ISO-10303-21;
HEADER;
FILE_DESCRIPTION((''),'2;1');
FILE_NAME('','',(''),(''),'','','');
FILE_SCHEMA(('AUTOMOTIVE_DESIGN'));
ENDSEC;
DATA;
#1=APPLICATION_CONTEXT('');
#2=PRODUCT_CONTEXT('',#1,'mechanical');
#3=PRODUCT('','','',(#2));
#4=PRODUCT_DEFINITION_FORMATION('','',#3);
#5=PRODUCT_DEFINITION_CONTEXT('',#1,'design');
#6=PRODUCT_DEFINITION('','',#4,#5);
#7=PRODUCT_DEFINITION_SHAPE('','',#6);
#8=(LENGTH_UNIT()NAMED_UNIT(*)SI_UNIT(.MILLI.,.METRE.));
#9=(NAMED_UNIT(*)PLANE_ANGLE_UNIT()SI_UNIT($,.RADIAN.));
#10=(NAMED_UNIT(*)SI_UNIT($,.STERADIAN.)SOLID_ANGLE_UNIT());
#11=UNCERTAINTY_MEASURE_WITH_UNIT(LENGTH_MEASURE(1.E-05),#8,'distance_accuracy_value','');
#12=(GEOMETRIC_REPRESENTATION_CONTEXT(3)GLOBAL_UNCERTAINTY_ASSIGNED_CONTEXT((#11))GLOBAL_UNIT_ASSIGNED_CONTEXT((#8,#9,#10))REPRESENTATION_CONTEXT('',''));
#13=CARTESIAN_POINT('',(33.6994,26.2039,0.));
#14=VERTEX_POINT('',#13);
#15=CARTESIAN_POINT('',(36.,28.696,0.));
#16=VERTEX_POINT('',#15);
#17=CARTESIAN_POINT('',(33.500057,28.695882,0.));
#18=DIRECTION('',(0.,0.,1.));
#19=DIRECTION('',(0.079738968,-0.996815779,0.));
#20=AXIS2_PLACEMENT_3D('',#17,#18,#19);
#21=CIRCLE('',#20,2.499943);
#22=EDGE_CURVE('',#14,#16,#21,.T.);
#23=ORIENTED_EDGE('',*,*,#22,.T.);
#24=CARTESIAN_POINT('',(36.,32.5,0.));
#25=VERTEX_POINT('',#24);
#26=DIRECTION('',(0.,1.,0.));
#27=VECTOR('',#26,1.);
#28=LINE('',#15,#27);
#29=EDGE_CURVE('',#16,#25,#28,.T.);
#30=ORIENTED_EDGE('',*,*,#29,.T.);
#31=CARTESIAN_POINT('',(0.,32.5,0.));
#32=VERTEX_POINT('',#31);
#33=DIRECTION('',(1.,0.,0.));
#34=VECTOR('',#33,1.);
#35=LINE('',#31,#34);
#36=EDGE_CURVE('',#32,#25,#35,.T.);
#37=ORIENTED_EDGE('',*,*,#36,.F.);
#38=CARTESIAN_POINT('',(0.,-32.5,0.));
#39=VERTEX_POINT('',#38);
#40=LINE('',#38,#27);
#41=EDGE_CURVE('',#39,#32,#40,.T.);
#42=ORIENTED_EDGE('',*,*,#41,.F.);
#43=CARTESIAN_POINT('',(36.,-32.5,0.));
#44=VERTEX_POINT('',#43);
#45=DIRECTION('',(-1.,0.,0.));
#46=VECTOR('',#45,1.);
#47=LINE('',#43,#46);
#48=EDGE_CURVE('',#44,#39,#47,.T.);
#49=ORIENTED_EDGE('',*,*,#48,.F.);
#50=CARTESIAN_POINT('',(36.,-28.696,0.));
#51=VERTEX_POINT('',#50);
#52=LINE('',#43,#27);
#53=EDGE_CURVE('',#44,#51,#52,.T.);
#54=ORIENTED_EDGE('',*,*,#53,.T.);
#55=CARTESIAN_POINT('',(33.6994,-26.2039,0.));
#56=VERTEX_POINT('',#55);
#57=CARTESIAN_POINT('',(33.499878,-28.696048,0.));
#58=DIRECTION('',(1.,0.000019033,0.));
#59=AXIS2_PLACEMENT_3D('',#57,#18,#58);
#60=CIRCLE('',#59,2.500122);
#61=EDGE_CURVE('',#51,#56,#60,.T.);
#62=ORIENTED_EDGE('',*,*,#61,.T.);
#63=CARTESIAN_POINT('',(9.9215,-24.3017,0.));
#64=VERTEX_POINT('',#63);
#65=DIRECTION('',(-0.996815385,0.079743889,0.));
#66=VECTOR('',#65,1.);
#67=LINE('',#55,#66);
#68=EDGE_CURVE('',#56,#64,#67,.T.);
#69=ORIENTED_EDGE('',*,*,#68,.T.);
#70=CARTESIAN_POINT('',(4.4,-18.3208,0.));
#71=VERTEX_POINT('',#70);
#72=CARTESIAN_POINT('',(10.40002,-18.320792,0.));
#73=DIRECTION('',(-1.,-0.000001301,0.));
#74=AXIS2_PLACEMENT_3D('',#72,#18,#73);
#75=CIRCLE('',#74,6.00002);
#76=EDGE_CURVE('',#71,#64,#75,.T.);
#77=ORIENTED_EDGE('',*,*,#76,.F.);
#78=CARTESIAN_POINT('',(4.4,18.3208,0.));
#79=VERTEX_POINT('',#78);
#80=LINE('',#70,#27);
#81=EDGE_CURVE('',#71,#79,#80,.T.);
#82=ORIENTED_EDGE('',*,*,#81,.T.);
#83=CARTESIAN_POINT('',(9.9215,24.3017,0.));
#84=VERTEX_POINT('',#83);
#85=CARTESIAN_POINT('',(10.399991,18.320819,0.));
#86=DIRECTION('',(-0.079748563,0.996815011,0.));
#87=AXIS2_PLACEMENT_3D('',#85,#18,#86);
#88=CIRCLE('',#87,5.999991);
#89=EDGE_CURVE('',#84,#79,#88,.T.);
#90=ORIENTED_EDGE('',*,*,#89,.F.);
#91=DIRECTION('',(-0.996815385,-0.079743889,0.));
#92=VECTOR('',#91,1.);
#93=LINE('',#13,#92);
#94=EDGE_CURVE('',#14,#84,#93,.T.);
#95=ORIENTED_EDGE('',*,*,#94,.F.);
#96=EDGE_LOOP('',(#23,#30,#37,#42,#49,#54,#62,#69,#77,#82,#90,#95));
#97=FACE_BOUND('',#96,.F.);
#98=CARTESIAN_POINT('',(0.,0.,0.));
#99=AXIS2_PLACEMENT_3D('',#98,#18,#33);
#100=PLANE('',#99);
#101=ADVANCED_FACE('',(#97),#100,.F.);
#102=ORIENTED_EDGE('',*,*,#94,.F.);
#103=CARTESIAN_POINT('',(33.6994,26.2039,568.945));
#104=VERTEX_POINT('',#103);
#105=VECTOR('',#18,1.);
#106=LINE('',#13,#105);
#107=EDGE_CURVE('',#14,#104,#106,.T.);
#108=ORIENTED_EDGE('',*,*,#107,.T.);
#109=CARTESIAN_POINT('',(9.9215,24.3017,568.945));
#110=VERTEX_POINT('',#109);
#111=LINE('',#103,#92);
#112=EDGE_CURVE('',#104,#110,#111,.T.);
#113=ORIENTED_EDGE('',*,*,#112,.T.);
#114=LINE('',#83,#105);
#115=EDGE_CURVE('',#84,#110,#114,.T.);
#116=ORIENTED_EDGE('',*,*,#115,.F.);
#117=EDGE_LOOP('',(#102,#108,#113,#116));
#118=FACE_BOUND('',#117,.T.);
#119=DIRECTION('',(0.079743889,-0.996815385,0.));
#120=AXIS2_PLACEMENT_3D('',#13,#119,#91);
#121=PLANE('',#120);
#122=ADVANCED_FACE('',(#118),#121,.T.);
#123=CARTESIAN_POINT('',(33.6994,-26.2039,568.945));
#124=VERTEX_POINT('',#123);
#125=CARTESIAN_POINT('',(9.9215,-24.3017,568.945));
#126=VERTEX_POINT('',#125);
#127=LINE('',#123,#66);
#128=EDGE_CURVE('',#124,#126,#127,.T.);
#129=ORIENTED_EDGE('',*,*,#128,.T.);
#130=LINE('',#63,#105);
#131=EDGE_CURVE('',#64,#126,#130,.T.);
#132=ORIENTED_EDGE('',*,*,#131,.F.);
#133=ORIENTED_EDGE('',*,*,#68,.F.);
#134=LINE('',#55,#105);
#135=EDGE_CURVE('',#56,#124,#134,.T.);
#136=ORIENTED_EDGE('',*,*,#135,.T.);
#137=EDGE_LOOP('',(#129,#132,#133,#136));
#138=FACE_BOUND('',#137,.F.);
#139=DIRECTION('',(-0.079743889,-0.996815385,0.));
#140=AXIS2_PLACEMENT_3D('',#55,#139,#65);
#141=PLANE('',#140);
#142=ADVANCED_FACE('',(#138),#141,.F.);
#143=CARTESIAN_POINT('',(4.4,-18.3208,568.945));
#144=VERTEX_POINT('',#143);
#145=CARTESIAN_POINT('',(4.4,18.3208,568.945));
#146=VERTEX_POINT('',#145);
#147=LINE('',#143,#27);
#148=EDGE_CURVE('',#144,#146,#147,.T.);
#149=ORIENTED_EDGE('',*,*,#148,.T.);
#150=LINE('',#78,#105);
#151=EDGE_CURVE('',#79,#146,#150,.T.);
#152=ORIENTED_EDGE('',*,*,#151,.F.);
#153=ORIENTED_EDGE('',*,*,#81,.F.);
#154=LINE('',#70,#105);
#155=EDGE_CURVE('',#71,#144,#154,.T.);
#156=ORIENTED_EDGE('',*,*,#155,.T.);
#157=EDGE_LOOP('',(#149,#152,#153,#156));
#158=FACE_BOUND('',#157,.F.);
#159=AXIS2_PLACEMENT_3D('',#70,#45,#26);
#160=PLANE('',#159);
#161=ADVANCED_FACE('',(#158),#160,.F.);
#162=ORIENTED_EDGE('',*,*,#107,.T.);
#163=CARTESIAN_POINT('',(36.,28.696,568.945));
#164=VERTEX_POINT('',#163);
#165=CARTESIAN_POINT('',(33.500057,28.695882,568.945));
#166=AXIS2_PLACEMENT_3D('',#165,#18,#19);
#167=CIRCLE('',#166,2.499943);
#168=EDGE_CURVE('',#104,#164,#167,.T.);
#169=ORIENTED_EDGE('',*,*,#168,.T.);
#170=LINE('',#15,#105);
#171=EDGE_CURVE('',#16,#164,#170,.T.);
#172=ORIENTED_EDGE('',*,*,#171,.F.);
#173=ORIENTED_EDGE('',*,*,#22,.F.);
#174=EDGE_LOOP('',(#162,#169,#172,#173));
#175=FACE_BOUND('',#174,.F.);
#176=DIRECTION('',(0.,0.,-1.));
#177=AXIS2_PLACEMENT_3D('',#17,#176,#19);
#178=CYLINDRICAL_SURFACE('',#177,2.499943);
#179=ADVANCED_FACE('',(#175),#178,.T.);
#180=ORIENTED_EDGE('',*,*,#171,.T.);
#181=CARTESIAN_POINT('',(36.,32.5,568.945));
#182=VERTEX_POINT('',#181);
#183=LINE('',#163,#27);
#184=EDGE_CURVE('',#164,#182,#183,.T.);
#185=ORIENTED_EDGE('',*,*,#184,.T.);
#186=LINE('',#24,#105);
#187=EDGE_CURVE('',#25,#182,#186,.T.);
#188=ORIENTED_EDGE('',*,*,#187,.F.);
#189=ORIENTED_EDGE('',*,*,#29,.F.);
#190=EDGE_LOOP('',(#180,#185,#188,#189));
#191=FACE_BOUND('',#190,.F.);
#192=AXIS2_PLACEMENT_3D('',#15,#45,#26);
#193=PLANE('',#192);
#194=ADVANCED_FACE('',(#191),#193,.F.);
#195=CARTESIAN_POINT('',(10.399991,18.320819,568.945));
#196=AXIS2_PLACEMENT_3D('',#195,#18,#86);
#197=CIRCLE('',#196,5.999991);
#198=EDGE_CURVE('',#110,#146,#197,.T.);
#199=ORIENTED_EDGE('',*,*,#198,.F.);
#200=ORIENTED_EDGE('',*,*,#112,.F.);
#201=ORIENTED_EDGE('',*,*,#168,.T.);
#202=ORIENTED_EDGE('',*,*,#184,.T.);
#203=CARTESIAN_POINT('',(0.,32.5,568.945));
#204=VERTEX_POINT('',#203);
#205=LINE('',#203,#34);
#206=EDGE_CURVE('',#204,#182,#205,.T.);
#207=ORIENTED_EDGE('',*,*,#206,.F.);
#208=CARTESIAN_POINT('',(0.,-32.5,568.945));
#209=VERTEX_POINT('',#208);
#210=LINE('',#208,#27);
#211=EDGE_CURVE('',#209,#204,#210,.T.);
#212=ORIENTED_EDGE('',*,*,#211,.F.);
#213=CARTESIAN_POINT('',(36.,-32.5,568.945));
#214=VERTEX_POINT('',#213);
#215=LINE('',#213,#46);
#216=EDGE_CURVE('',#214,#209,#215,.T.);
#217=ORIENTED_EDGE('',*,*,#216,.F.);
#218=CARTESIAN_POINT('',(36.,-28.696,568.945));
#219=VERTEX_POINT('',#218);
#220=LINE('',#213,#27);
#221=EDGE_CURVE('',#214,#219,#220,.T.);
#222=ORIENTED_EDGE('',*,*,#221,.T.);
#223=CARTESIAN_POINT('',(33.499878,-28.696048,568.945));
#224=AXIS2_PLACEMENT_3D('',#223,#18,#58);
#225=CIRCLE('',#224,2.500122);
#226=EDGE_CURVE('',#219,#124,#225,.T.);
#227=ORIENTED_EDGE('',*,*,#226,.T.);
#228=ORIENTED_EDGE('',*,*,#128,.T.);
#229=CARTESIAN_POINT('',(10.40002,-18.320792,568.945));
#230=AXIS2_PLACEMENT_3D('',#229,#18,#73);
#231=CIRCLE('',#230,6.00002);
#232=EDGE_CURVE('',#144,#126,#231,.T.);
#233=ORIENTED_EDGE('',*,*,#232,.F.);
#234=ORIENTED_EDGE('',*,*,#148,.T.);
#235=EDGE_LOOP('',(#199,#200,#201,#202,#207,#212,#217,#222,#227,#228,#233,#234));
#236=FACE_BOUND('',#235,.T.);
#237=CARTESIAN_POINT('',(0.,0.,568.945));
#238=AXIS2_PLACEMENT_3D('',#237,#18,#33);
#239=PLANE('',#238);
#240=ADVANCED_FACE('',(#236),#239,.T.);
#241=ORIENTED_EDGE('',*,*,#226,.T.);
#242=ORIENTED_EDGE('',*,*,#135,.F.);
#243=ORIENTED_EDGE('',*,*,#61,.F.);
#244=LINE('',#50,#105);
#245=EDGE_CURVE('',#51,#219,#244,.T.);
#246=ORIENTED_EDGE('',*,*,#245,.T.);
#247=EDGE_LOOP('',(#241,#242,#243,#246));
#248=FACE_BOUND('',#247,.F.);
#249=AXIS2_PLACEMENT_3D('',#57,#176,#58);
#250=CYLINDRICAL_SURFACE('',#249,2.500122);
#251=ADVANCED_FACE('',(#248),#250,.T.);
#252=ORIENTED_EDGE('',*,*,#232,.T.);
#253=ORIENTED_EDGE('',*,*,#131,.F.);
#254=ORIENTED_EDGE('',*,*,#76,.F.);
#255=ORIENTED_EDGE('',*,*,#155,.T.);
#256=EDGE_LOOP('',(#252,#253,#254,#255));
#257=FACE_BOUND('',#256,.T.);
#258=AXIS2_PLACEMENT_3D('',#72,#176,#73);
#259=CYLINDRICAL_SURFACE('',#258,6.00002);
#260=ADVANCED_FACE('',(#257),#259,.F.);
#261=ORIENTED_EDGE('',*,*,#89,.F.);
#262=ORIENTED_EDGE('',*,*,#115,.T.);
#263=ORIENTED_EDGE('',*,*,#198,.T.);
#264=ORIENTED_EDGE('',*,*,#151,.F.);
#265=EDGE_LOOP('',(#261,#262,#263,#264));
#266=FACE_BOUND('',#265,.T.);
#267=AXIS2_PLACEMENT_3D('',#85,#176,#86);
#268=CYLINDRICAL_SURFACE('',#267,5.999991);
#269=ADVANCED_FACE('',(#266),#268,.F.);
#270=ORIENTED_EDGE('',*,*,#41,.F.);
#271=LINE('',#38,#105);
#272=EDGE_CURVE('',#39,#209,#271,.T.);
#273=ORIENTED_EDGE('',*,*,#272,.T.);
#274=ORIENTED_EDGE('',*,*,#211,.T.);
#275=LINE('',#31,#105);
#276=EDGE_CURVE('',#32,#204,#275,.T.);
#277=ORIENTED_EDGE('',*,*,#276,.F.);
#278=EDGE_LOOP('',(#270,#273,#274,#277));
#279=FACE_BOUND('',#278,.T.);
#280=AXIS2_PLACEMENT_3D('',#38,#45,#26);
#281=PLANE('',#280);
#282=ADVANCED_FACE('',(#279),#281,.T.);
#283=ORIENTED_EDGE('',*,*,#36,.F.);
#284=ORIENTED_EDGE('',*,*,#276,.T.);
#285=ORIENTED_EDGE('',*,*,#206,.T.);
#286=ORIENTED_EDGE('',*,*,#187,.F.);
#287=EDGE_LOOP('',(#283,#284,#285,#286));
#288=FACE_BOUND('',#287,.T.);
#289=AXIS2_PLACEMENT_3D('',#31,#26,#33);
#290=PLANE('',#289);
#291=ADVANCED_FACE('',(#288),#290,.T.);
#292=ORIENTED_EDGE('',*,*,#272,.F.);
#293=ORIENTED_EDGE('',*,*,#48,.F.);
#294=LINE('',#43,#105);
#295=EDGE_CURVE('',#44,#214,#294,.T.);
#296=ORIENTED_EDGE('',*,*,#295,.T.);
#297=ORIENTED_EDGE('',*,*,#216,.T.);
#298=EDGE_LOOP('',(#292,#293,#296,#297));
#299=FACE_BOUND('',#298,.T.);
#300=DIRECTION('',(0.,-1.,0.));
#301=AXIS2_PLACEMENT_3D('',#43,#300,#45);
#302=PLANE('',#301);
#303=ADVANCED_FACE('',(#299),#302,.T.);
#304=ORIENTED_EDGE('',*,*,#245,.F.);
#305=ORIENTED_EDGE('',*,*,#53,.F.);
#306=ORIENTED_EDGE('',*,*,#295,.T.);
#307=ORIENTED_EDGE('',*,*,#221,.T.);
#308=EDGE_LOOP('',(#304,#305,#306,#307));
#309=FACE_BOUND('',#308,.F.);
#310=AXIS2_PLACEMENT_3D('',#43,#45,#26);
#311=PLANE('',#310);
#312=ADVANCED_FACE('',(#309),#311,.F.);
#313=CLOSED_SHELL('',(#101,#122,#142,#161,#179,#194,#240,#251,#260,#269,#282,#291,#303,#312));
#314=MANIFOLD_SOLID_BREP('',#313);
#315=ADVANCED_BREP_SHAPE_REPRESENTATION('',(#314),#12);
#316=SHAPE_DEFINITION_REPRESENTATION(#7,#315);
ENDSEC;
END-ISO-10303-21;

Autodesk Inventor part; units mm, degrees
ref_plane "Начальная плоскость" through (0, 0, 0) normal (0, 0, 1) x (1, 0, 0)
ref_plane "Конечная плоскость" through (0, 0, 568.945) normal (0, 0, 1) x (1, 0, 0)
sketch "Эскиз" plane through (0, 0, 0) normal (0, 0, 1) x (1, 0, 0)
  line L0 (36, -32.5) -> (0, -32.5)
  line L1 (36, -32.5) -> (36, -28.696)
  line L2 (33.6994, -26.2039) -> (9.9215, -24.3017)
  line L3 (4.4, -18.3208) -> (4.4, 18.3208)
  line L4 (33.6994, 26.2039) -> (9.9215, 24.3017)
  line L5 (36, 28.696) -> (36, 32.5)
  line L6 (0, 32.5) -> (36, 32.5)
  line L7 (0, -32.5) -> (0, 32.5)
  arc A0 (4.4, -18.3208) -> (9.9215, -24.3017) centre (10.4, -18.3208) ccw
  arc A1 (9.9215, 24.3017) -> (4.4, 18.3208) centre (10.4, 18.3208) ccw
  arc A2 (36, -28.696) -> (33.6994, -26.2039) centre (33.5, -28.696) ccw
  arc A3 (33.6994, 26.2039) -> (36, 28.696) centre (33.5, 28.696) ccw
  line L8 (0, 45.5) -> (0, -45.5) construction
  line L9 (-7.2974, 0) -> (43.7847, 0) construction
  point P0 (36, -26.388)
  point P1 (4.4, -23.86)
  point P2 (4.4, 23.86)
  point P3 (36, 26.388)
  dimension "d3" = 36
  dimension "d5" = 4.4
  dimension "d7" = 65
  dimension "d9" = 8.64
  dimension "d11" = 8.64
  dimension "d13" = 6.112
  dimension "d15" = 6.112
  dimension "d22" = 6
  dimension "d23" = 2.5
  dimension "d24" = 32.5
  dimension "d25" = 0
extrude "Тело" add sketch "Эскиз" along normal up to surface (568.945 mm away) from surface at 0
sketch "Sketch3" plane through (0, 0, 0) normal (0, 0, 1) x (1, 0, 0)
  line L0 (0, 0) -> (10, 0)
ref_plane "Work Plane7" through (0, 0, 0) normal (0, -1, 0) x (1, 0, 0)
sketch "Sketch4" plane through (0, 0, 0) normal (0, -1, 0) x (1, 0, 0)
  line L0 (-2, 0) -> (12, 0)
  line L1 (-2, 568.945) -> (12, 568.945)
  dimension "d29" = 568.945
ref_plane "РабПлоскость8" through (32.5, 32.5, 568.945) normal (0, 0, 1) x (1, 0, 0)
split "Разделение1" plane through (32.5, 32.5, 568.945) removes the side toward (0, 0, 1)
equation "\"d3\" = b"
equation "\"d5\" = t1"
equation "\"d7\" = ParH"
equation "\"d9\" = msp_x1 + t2"
equation "\"d11\" = msp_x1 + t2"
equation "\"d13\" = -msp_x2 + t2"
equation "\"d15\" = -msp_x2 + t2"
equation "\"d22\" = R"
equation "\"d23\" = R1"
equation "\"d24\" = 0.5 * d7"
equation "\"d16\" = G_L"
equation "\"R1\" = 2.5"
equation "\"R\" = 6"
equation "\"t1\" = 4.4"
equation "\"t2\" = 7.2"
equation "\"ParH\" = 65"
equation "\"b\" = 36"
equation "\"msp_x1\" = 0.04 * b"
equation "\"msp_x2\" = -0.08 * t1 + 0.04 * b"
equation "\"G_L\" = d29"
equation "\"ex\" = 0"
equation "\"G_OFFSET_START\" = 0"
equation "\"G_OFFSET_END\" = -36"
equation "\"d27\" = G_OFFSET_END + B_L"
equation "\"B_L\" = 604.945"
properties part number "Швеллер 6.5U-568,95 ГОСТ 8240-97"
